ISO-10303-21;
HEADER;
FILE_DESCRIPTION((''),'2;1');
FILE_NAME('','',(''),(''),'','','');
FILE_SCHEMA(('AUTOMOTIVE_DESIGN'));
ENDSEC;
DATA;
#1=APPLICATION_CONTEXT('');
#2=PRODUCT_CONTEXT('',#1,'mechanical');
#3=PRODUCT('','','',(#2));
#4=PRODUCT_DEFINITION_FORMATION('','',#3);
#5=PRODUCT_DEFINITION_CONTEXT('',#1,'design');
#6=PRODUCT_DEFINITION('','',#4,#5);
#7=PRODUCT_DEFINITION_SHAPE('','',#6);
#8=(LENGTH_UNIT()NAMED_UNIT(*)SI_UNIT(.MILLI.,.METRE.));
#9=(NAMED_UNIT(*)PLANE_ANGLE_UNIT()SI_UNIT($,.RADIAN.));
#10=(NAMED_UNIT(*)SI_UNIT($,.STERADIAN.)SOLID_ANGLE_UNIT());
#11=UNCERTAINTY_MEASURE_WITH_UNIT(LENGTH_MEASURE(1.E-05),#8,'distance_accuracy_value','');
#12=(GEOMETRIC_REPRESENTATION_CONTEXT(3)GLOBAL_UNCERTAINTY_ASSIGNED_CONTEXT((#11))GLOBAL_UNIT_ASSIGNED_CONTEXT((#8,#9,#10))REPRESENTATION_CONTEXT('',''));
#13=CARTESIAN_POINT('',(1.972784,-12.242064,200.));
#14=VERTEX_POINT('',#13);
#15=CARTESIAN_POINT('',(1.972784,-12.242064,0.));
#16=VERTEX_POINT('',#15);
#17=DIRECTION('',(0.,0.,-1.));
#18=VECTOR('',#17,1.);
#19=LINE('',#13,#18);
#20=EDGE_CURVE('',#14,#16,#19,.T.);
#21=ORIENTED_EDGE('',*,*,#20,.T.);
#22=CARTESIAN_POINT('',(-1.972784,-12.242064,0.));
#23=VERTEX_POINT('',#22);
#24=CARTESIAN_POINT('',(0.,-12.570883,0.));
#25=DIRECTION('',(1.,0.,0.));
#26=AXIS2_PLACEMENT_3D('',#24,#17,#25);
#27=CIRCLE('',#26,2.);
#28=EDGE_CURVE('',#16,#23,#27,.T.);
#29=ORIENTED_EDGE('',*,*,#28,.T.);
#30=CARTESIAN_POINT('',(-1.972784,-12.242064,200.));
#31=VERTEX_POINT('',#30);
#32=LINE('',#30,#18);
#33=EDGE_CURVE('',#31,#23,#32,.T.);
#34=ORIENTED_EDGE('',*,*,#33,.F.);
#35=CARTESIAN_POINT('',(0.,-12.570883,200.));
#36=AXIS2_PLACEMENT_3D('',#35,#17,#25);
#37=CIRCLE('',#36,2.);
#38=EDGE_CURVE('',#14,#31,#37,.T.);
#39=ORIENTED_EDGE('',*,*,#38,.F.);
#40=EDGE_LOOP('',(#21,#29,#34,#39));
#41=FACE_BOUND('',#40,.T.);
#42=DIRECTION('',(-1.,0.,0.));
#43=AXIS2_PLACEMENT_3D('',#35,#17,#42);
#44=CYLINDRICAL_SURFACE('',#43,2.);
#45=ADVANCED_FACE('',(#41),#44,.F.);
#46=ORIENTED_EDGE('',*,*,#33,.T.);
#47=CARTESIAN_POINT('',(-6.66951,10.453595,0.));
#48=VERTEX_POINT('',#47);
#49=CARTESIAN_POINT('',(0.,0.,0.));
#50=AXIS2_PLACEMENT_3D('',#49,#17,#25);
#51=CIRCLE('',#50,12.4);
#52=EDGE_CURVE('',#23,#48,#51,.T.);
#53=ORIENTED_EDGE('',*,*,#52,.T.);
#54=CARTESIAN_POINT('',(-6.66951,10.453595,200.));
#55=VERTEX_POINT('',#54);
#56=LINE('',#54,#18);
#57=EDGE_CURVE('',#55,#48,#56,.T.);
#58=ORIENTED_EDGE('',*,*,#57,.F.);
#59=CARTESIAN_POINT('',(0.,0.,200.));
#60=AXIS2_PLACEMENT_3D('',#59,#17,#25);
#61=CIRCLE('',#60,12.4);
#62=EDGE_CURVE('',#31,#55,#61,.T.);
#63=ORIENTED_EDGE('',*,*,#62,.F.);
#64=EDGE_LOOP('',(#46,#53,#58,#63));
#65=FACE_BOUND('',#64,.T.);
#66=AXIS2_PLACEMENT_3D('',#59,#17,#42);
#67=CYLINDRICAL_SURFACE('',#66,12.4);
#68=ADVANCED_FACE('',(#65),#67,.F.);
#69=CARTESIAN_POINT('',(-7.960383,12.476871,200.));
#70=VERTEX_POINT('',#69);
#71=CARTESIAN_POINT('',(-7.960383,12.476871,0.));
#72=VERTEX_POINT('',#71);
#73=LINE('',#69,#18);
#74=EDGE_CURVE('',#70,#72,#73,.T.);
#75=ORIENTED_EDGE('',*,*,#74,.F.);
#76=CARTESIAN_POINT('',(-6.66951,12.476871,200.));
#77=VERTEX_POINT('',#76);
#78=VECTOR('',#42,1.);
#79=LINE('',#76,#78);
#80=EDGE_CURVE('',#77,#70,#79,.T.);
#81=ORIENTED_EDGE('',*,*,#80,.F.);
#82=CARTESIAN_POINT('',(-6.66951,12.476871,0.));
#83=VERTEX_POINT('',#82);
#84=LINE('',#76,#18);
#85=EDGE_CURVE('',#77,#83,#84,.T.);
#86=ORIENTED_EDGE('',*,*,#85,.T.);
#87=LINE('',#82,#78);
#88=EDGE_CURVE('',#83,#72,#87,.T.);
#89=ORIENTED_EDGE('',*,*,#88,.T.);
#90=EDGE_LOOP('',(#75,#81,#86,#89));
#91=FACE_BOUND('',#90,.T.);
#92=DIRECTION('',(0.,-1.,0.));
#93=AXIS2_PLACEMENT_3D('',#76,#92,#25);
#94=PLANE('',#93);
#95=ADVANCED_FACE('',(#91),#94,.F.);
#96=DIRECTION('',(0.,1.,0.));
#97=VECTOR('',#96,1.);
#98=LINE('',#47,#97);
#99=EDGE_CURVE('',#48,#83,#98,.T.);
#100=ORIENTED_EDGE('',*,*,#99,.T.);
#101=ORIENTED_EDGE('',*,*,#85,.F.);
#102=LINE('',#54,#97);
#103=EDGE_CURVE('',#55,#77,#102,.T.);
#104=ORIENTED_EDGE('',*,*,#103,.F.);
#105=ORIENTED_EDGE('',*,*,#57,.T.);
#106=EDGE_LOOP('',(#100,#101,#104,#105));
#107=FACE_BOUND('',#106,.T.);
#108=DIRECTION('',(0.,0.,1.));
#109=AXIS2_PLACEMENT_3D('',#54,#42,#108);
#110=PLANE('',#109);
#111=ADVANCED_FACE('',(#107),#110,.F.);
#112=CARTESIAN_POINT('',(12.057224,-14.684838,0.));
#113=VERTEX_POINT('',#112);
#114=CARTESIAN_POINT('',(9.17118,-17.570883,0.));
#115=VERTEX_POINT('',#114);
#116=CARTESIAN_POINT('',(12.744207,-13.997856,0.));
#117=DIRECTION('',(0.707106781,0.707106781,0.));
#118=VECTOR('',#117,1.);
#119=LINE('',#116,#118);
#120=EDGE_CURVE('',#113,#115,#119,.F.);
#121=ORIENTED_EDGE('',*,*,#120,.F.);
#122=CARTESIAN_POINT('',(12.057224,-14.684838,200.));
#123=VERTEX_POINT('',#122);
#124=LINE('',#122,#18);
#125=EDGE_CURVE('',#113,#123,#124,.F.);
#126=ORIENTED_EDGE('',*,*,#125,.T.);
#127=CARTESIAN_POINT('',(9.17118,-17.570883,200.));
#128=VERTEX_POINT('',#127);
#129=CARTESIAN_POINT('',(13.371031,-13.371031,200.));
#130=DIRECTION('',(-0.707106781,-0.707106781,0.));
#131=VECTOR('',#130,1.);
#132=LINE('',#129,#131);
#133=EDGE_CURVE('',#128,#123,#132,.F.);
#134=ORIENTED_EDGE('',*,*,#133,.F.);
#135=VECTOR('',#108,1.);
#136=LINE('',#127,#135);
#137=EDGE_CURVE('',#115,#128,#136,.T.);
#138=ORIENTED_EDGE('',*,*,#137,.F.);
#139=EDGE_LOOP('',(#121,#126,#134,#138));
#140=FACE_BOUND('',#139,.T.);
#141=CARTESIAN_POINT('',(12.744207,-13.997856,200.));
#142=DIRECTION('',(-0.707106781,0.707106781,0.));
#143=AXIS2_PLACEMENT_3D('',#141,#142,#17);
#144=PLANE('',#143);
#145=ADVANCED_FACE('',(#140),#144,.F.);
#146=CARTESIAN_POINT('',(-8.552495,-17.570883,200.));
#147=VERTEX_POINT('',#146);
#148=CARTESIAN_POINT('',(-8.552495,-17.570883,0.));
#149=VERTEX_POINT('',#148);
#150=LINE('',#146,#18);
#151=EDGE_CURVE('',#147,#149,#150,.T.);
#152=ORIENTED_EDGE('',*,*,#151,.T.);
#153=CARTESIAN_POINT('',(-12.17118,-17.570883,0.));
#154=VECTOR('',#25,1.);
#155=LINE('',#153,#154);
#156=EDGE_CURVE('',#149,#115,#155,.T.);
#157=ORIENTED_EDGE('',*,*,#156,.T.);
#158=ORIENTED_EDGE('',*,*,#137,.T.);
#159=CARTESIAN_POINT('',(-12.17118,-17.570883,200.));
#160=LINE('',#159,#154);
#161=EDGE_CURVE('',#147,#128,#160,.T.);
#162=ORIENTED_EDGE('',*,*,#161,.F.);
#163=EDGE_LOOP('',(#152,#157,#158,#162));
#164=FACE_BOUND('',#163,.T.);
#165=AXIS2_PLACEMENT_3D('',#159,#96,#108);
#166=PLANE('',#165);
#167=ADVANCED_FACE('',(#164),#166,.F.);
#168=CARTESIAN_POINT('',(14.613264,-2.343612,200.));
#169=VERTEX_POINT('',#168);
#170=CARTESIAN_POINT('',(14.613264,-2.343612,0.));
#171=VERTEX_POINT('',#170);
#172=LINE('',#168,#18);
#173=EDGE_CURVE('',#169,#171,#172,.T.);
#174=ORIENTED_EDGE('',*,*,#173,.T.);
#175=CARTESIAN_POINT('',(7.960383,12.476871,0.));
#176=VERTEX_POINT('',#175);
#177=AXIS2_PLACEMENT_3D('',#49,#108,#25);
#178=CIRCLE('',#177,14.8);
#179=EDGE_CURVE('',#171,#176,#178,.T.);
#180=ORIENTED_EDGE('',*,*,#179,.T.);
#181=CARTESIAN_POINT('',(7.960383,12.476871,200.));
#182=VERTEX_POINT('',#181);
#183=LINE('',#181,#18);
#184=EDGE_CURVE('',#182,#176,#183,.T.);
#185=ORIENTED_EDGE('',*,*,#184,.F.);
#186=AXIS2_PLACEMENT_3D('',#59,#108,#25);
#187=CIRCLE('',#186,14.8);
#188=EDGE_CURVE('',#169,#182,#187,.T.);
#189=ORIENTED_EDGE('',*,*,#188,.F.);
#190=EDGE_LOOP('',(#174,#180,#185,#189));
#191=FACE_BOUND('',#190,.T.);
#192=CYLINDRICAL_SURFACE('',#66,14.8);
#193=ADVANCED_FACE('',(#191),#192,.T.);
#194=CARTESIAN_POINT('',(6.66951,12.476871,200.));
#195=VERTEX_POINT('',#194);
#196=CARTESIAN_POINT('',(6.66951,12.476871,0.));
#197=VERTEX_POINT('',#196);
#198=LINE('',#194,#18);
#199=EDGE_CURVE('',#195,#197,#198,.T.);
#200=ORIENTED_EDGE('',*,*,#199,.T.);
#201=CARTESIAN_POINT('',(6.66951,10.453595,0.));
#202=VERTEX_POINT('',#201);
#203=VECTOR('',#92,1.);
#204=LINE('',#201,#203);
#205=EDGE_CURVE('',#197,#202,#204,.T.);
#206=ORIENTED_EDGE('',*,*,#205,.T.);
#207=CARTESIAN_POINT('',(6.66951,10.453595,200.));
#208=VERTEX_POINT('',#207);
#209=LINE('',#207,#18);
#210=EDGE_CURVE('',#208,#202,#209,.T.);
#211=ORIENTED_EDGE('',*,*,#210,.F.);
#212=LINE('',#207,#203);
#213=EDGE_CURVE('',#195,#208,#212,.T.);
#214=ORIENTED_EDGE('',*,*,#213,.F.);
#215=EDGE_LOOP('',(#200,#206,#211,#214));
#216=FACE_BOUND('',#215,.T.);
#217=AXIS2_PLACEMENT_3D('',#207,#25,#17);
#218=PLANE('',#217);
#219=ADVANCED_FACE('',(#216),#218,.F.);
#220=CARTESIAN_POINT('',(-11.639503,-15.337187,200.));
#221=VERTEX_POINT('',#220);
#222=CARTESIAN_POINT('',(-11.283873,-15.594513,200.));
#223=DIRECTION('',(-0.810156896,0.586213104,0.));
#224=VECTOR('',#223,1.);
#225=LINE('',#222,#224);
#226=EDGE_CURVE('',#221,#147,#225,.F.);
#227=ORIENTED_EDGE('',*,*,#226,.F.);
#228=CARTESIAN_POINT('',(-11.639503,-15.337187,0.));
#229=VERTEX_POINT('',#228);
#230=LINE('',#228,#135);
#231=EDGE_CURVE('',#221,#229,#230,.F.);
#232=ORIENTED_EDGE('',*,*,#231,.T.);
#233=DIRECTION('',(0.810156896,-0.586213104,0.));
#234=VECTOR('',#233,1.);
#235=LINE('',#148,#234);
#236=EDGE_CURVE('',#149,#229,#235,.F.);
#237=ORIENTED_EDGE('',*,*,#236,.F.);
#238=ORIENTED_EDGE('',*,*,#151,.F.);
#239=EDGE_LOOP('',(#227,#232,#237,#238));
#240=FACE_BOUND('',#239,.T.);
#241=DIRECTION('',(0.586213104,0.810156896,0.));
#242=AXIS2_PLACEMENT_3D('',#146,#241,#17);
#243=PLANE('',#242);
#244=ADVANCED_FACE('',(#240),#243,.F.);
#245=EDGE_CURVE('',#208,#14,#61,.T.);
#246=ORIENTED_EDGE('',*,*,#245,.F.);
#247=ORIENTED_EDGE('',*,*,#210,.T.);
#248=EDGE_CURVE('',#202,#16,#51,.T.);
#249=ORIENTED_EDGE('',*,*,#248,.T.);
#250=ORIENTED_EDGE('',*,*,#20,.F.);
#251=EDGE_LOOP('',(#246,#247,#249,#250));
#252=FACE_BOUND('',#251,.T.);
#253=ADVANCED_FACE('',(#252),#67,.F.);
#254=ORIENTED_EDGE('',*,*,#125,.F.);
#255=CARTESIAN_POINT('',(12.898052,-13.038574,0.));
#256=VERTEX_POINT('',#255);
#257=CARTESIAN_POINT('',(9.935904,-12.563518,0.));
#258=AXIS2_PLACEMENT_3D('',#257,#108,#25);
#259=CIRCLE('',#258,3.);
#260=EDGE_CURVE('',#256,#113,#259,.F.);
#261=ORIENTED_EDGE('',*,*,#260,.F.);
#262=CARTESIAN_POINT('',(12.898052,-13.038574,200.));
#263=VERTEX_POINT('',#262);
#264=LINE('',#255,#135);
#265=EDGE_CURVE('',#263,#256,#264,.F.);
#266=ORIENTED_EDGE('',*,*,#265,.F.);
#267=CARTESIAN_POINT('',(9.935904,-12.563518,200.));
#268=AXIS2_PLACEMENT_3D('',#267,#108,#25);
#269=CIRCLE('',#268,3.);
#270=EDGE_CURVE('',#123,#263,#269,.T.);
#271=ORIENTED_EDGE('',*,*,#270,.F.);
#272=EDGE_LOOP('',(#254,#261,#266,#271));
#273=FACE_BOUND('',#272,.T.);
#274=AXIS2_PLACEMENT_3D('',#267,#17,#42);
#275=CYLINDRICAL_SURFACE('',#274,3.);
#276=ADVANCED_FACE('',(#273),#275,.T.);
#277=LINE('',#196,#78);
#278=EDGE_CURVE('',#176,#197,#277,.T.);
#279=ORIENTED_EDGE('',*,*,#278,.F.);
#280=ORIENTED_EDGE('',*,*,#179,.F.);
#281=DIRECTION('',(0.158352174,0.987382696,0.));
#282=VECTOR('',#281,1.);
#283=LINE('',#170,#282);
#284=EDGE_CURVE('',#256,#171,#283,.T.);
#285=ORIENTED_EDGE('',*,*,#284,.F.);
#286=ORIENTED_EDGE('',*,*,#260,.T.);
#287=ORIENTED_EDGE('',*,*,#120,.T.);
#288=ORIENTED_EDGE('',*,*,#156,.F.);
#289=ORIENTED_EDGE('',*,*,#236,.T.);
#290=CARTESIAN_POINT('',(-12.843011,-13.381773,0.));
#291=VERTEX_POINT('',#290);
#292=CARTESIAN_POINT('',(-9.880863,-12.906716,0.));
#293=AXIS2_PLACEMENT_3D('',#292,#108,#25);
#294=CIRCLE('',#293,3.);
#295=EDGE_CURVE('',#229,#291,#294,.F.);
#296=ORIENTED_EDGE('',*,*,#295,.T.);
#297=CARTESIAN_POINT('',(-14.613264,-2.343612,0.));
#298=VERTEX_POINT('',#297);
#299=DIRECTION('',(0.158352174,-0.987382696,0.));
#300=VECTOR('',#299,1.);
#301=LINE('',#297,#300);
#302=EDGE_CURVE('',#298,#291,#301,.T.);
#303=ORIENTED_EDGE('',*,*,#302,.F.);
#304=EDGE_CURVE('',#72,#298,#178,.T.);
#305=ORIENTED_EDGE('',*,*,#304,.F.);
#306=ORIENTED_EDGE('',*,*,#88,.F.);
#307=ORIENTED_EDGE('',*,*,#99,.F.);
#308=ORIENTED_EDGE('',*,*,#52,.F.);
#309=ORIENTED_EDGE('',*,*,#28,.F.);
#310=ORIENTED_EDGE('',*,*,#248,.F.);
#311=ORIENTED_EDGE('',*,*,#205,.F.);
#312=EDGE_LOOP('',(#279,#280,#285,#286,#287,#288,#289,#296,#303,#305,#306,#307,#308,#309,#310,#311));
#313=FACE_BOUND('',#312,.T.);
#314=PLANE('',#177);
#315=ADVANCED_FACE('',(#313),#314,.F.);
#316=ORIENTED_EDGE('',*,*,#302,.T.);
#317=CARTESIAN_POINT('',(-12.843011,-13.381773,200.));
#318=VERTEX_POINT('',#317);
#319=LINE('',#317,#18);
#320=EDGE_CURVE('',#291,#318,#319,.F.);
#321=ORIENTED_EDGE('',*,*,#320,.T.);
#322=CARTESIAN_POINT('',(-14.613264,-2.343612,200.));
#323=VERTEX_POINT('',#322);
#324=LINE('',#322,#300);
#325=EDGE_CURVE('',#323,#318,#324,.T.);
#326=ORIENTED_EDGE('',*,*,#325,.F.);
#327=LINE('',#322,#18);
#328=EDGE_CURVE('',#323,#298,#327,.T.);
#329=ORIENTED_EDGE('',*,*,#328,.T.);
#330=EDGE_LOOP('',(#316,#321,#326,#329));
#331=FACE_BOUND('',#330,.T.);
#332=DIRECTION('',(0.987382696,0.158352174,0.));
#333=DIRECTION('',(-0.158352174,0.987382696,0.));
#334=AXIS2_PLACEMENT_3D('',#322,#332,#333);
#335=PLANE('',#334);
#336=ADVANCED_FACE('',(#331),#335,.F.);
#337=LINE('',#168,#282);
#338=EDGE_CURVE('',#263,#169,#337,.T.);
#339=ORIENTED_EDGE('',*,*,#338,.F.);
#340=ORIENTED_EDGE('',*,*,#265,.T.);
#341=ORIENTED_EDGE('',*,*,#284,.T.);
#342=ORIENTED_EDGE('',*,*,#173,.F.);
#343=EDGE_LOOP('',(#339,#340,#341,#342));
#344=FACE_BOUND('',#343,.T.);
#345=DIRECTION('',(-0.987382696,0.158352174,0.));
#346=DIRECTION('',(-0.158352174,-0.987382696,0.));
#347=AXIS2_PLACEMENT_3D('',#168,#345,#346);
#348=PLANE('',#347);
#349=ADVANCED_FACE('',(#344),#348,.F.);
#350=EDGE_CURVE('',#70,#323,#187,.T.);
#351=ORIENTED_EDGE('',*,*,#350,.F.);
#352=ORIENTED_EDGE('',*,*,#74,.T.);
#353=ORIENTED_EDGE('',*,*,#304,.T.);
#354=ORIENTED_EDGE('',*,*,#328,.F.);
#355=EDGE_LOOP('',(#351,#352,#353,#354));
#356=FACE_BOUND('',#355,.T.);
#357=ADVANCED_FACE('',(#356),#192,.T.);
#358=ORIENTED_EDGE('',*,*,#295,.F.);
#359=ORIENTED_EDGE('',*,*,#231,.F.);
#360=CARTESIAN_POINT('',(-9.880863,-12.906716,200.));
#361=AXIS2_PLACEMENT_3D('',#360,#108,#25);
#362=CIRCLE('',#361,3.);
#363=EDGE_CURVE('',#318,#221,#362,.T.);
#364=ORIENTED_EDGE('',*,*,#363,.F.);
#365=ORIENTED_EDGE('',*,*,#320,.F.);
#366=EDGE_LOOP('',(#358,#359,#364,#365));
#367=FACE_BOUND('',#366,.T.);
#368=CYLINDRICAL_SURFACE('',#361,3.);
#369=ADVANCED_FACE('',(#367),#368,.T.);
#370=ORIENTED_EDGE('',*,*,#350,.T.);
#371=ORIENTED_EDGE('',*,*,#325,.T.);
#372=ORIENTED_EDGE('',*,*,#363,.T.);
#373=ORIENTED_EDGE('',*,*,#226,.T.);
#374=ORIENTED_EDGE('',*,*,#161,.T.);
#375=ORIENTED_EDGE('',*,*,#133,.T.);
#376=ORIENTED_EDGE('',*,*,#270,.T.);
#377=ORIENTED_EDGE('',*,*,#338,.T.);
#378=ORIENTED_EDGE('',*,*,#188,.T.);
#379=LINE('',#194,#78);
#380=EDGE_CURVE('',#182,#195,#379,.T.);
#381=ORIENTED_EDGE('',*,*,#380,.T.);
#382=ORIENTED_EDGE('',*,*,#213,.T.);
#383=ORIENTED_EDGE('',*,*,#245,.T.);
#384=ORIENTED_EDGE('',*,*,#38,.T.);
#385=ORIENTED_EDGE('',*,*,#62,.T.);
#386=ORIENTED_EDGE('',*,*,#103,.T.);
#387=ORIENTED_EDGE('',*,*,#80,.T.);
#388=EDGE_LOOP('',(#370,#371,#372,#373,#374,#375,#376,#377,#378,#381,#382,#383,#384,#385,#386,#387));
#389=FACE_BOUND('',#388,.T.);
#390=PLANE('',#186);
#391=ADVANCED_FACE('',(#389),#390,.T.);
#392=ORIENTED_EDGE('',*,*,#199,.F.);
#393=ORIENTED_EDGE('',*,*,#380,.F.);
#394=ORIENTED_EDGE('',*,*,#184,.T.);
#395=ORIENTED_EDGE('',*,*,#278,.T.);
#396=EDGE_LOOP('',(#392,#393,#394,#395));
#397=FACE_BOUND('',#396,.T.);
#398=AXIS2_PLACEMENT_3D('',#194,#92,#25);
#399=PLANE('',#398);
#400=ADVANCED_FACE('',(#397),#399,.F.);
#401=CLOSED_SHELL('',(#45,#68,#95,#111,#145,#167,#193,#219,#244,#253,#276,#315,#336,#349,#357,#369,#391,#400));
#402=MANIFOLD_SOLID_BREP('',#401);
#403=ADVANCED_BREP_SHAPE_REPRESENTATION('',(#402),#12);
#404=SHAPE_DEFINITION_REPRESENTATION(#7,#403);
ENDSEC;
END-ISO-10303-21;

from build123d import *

# Parameters (mm, degrees)
BOSS_EXTRU_1_DEPTH      = 200
CHANFREIN1_SIZE2        = 3.618684617
CHANFREIN1_SIZE         = 3
CHANFREIN1_EDGE_2_SIZE2 = 3
CHANFREIN1_EDGE_2_SIZE  = 3.618684617
CONG_2_R                = 3


with BuildPart() as part:
    # Esquisse1 → Boss.-Extru.1 (new body)
    with BuildSketch(Plane.XY):
        with BuildLine():
            Line((-12.171180036, -17.570882511), (12.171180036, -17.570882511))
            Line((12.171180036, -17.570882511), (14.613263907, -2.343612169))
            ThreePointArc((14.613263907, -2.343612169), (13.502002072, 6.061018071), (7.960382718, 12.476870881))
            Line((7.960382718, 12.476870881), (6.669509845, 12.476870881))
            Line((6.669509845, 12.476870881), (6.669509845, 10.453594522))
            ThreePointArc((6.669509845, 10.453594522), (12.142715388, -2.512859527), (1.972784363, -12.242063627))
            ThreePointArc((1.972784363, -12.242063627), (0, -14.570882511), (-1.972784363, -12.242063627))
            ThreePointArc((-1.972784363, -12.242063627), (-12.142715388, -2.512859527), (-6.669509845, 10.453594522))
            Line((-6.669509845, 10.453594522), (-6.669509845, 12.476870881))
            Line((-6.669509845, 12.476870881), (-7.960382718, 12.476870881))
            ThreePointArc((-7.960382718, 12.476870881), (-13.502002072, 6.061018071), (-14.613263907, -2.343612169))
            Line((-14.613263907, -2.343612169), (-12.171180036, -17.570882511))
        make_face()
    extrude(amount=BOSS_EXTRU_1_DEPTH)

    # Chanfrein1
    chanfrein1_edges = [part.edges().sort_by_distance(p)[0] for p in [
        (12.171180036, -17.570882511, 100),
    ]]
    chamfer(chanfrein1_edges, length=CHANFREIN1_SIZE, length2=CHANFREIN1_SIZE2)

    # Chanfrein1 edge 2
    chanfrein1_edge_2_edges = [part.edges().sort_by_distance(p)[0] for p in [
        (-12.171180036, -17.570882511, 100),
    ]]
    chamfer(chanfrein1_edge_2_edges, length=CHANFREIN1_EDGE_2_SIZE, length2=CHANFREIN1_EDGE_2_SIZE2)

    # Congé2
    cong_2_edges = [part.edges().sort_by_distance(p)[0] for p in [
        (12.744206611, -13.997855937, 100),
        (-12.646236557, -14.608734422, 100),
    ]]
    fillet(cong_2_edges, radius=CONG_2_R)


solid = part.part
